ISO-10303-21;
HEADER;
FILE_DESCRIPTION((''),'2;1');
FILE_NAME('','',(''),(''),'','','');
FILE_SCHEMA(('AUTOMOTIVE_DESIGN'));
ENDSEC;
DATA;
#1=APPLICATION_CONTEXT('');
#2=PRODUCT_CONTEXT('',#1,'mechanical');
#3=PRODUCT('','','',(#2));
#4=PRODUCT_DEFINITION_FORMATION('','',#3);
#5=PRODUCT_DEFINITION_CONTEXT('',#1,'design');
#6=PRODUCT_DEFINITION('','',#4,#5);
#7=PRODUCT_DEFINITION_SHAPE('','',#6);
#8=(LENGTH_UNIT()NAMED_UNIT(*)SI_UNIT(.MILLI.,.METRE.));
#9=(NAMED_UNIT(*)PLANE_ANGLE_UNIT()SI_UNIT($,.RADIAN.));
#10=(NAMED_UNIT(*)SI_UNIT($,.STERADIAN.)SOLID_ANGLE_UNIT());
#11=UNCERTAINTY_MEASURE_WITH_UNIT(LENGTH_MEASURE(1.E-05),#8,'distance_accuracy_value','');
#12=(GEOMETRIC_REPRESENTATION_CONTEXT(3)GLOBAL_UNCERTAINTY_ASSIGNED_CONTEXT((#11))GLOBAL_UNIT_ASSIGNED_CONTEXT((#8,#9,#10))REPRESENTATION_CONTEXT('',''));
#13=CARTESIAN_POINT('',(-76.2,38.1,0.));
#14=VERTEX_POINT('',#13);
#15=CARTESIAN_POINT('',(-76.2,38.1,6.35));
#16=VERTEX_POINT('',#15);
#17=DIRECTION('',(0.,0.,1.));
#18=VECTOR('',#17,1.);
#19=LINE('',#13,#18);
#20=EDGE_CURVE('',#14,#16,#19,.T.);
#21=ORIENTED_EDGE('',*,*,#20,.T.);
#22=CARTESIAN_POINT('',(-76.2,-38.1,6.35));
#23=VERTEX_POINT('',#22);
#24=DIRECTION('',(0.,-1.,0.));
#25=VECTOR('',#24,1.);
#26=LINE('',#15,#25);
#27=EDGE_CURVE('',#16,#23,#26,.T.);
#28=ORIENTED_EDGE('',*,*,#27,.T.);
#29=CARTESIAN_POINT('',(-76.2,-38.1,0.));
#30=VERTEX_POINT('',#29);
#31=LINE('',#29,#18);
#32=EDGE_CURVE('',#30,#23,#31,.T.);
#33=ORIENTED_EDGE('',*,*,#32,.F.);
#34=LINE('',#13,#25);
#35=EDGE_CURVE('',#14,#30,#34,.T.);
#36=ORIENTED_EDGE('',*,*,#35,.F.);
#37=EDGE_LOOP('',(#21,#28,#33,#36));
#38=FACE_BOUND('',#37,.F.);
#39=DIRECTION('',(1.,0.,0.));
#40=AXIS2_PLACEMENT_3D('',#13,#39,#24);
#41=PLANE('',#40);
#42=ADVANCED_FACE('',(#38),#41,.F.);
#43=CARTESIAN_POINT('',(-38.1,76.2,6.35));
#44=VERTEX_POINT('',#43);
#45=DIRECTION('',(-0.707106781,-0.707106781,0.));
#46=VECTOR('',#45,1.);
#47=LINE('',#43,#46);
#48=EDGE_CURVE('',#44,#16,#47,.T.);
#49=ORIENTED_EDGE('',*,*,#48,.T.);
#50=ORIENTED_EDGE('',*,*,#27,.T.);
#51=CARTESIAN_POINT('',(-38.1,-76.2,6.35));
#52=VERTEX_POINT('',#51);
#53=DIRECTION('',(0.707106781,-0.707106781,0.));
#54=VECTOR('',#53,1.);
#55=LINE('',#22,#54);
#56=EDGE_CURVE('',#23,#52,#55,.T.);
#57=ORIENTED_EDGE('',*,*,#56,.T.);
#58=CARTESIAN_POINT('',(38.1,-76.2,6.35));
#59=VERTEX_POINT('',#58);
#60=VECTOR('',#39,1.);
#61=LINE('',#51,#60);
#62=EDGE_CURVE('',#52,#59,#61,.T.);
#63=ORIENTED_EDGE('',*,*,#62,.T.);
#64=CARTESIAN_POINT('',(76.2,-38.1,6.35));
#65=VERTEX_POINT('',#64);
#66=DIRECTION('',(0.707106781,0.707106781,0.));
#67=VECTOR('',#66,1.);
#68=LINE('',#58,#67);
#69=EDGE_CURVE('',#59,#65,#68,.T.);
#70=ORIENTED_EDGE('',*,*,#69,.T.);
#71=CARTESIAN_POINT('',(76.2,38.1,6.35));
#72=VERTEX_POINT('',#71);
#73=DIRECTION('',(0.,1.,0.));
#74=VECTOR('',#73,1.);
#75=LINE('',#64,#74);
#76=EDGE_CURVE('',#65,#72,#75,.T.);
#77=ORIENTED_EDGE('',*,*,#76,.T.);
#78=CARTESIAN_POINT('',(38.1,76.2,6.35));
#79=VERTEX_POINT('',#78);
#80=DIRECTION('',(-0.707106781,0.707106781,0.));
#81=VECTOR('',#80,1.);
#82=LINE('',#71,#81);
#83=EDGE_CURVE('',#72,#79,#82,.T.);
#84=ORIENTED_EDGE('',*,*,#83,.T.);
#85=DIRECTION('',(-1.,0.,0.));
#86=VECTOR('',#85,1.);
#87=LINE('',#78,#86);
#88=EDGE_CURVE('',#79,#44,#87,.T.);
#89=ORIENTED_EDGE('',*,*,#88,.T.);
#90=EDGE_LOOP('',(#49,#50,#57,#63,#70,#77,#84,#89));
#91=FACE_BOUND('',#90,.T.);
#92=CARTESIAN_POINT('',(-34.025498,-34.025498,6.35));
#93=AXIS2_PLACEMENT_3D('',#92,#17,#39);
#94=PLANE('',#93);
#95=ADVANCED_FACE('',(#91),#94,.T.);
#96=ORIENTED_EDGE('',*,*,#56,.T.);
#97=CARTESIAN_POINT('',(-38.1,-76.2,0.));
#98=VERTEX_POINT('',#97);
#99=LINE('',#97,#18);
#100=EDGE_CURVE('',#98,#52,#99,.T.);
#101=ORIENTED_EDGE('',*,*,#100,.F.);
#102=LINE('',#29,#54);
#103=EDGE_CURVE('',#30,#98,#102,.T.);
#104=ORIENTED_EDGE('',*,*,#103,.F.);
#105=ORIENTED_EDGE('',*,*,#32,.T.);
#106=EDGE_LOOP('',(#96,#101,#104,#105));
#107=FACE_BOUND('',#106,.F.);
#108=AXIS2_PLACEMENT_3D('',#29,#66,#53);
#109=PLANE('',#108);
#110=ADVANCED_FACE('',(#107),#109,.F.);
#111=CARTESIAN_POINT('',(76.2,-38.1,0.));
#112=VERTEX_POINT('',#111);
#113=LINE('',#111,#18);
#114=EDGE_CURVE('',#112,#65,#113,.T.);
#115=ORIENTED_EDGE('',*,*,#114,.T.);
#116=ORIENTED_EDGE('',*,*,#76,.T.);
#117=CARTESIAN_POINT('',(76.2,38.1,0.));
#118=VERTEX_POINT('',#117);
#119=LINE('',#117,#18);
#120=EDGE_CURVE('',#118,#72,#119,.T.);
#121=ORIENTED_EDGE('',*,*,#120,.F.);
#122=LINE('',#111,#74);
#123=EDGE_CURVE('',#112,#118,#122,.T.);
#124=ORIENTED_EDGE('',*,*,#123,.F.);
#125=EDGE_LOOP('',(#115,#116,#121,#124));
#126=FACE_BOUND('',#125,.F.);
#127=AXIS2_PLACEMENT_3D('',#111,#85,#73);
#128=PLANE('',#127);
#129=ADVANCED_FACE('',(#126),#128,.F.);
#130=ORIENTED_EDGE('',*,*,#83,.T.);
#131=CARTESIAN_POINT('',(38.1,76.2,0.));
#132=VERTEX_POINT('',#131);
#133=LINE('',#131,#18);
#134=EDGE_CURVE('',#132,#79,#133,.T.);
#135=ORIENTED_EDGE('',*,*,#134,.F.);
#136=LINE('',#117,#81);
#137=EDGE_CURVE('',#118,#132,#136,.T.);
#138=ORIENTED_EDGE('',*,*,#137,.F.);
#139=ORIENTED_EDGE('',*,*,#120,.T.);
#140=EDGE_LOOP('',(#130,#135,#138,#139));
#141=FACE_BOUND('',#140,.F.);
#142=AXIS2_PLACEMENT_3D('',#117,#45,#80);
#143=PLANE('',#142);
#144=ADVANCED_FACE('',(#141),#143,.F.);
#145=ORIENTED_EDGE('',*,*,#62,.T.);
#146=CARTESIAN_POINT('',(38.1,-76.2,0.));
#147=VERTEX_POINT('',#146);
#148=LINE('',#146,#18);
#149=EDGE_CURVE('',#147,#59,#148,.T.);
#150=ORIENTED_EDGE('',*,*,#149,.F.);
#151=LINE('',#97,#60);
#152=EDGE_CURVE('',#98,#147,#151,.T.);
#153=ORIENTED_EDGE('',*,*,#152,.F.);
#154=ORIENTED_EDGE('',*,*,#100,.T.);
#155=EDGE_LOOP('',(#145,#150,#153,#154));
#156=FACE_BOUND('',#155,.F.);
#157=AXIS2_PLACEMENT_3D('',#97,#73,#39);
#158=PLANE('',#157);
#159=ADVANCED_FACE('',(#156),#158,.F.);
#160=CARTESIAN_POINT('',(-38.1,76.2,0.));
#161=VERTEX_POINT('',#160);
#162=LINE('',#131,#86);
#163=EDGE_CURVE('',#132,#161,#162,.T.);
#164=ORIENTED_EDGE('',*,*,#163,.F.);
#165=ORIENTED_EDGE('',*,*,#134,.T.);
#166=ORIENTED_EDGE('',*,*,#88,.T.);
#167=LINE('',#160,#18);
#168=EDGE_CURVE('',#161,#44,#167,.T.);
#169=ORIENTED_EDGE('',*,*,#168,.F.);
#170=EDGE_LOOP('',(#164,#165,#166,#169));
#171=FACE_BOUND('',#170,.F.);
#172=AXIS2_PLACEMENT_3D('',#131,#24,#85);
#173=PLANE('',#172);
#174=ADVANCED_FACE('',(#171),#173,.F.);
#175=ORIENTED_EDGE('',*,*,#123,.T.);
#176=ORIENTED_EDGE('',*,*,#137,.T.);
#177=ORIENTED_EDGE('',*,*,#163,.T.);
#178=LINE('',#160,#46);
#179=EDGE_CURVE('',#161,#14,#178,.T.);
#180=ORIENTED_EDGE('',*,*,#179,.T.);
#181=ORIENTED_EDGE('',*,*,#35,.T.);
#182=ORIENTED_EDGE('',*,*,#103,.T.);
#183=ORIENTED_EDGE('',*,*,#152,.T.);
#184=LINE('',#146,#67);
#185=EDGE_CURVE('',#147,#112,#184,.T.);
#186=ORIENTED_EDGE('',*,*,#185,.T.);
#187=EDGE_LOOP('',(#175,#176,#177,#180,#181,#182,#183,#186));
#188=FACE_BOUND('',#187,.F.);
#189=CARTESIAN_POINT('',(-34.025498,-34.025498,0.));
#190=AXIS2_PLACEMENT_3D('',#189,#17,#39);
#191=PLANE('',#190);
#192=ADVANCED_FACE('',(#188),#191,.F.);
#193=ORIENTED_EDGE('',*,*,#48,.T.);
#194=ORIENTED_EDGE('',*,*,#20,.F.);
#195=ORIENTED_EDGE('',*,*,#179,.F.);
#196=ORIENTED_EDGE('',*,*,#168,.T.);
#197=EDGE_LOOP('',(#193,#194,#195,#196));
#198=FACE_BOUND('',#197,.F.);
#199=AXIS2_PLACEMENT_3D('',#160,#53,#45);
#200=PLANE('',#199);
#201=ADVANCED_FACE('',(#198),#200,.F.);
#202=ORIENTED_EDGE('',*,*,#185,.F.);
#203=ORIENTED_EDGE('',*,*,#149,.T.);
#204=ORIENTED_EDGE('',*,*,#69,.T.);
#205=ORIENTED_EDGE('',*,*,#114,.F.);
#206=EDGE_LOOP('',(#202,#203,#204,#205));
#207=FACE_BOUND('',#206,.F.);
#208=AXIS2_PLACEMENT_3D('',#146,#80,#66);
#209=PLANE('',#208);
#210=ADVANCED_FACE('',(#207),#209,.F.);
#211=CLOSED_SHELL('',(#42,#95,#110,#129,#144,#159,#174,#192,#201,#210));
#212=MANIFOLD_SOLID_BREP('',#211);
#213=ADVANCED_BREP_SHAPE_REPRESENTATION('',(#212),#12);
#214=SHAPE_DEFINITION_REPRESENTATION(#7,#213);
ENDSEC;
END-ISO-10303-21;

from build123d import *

# Parameters (mm, degrees)
F1_DEPTH = 6.35


with BuildPart() as f1:
    # F0 (on Top) → F1 (new body)
    with BuildSketch(Plane.XY):
        Polygon((0, -76.2), (0, 0), (-76.2, 0), (-76.2, -38.1), (-38.1, -76.2), align=None)
        Polygon((0, 76.2), (0, 0), (76.2, 0), (76.2, 38.1), (38.1, 76.2), align=None)
        Polygon((-76.2, 0), (0, 0), (0, 76.2), (-38.1, 76.2), (-76.2, 38.1), align=None)
        Polygon((76.2, 0), (0, 0), (0, -76.2), (38.1, -76.2), (76.2, -38.1), align=None)
    extrude(amount=F1_DEPTH)


solid = f1.part
